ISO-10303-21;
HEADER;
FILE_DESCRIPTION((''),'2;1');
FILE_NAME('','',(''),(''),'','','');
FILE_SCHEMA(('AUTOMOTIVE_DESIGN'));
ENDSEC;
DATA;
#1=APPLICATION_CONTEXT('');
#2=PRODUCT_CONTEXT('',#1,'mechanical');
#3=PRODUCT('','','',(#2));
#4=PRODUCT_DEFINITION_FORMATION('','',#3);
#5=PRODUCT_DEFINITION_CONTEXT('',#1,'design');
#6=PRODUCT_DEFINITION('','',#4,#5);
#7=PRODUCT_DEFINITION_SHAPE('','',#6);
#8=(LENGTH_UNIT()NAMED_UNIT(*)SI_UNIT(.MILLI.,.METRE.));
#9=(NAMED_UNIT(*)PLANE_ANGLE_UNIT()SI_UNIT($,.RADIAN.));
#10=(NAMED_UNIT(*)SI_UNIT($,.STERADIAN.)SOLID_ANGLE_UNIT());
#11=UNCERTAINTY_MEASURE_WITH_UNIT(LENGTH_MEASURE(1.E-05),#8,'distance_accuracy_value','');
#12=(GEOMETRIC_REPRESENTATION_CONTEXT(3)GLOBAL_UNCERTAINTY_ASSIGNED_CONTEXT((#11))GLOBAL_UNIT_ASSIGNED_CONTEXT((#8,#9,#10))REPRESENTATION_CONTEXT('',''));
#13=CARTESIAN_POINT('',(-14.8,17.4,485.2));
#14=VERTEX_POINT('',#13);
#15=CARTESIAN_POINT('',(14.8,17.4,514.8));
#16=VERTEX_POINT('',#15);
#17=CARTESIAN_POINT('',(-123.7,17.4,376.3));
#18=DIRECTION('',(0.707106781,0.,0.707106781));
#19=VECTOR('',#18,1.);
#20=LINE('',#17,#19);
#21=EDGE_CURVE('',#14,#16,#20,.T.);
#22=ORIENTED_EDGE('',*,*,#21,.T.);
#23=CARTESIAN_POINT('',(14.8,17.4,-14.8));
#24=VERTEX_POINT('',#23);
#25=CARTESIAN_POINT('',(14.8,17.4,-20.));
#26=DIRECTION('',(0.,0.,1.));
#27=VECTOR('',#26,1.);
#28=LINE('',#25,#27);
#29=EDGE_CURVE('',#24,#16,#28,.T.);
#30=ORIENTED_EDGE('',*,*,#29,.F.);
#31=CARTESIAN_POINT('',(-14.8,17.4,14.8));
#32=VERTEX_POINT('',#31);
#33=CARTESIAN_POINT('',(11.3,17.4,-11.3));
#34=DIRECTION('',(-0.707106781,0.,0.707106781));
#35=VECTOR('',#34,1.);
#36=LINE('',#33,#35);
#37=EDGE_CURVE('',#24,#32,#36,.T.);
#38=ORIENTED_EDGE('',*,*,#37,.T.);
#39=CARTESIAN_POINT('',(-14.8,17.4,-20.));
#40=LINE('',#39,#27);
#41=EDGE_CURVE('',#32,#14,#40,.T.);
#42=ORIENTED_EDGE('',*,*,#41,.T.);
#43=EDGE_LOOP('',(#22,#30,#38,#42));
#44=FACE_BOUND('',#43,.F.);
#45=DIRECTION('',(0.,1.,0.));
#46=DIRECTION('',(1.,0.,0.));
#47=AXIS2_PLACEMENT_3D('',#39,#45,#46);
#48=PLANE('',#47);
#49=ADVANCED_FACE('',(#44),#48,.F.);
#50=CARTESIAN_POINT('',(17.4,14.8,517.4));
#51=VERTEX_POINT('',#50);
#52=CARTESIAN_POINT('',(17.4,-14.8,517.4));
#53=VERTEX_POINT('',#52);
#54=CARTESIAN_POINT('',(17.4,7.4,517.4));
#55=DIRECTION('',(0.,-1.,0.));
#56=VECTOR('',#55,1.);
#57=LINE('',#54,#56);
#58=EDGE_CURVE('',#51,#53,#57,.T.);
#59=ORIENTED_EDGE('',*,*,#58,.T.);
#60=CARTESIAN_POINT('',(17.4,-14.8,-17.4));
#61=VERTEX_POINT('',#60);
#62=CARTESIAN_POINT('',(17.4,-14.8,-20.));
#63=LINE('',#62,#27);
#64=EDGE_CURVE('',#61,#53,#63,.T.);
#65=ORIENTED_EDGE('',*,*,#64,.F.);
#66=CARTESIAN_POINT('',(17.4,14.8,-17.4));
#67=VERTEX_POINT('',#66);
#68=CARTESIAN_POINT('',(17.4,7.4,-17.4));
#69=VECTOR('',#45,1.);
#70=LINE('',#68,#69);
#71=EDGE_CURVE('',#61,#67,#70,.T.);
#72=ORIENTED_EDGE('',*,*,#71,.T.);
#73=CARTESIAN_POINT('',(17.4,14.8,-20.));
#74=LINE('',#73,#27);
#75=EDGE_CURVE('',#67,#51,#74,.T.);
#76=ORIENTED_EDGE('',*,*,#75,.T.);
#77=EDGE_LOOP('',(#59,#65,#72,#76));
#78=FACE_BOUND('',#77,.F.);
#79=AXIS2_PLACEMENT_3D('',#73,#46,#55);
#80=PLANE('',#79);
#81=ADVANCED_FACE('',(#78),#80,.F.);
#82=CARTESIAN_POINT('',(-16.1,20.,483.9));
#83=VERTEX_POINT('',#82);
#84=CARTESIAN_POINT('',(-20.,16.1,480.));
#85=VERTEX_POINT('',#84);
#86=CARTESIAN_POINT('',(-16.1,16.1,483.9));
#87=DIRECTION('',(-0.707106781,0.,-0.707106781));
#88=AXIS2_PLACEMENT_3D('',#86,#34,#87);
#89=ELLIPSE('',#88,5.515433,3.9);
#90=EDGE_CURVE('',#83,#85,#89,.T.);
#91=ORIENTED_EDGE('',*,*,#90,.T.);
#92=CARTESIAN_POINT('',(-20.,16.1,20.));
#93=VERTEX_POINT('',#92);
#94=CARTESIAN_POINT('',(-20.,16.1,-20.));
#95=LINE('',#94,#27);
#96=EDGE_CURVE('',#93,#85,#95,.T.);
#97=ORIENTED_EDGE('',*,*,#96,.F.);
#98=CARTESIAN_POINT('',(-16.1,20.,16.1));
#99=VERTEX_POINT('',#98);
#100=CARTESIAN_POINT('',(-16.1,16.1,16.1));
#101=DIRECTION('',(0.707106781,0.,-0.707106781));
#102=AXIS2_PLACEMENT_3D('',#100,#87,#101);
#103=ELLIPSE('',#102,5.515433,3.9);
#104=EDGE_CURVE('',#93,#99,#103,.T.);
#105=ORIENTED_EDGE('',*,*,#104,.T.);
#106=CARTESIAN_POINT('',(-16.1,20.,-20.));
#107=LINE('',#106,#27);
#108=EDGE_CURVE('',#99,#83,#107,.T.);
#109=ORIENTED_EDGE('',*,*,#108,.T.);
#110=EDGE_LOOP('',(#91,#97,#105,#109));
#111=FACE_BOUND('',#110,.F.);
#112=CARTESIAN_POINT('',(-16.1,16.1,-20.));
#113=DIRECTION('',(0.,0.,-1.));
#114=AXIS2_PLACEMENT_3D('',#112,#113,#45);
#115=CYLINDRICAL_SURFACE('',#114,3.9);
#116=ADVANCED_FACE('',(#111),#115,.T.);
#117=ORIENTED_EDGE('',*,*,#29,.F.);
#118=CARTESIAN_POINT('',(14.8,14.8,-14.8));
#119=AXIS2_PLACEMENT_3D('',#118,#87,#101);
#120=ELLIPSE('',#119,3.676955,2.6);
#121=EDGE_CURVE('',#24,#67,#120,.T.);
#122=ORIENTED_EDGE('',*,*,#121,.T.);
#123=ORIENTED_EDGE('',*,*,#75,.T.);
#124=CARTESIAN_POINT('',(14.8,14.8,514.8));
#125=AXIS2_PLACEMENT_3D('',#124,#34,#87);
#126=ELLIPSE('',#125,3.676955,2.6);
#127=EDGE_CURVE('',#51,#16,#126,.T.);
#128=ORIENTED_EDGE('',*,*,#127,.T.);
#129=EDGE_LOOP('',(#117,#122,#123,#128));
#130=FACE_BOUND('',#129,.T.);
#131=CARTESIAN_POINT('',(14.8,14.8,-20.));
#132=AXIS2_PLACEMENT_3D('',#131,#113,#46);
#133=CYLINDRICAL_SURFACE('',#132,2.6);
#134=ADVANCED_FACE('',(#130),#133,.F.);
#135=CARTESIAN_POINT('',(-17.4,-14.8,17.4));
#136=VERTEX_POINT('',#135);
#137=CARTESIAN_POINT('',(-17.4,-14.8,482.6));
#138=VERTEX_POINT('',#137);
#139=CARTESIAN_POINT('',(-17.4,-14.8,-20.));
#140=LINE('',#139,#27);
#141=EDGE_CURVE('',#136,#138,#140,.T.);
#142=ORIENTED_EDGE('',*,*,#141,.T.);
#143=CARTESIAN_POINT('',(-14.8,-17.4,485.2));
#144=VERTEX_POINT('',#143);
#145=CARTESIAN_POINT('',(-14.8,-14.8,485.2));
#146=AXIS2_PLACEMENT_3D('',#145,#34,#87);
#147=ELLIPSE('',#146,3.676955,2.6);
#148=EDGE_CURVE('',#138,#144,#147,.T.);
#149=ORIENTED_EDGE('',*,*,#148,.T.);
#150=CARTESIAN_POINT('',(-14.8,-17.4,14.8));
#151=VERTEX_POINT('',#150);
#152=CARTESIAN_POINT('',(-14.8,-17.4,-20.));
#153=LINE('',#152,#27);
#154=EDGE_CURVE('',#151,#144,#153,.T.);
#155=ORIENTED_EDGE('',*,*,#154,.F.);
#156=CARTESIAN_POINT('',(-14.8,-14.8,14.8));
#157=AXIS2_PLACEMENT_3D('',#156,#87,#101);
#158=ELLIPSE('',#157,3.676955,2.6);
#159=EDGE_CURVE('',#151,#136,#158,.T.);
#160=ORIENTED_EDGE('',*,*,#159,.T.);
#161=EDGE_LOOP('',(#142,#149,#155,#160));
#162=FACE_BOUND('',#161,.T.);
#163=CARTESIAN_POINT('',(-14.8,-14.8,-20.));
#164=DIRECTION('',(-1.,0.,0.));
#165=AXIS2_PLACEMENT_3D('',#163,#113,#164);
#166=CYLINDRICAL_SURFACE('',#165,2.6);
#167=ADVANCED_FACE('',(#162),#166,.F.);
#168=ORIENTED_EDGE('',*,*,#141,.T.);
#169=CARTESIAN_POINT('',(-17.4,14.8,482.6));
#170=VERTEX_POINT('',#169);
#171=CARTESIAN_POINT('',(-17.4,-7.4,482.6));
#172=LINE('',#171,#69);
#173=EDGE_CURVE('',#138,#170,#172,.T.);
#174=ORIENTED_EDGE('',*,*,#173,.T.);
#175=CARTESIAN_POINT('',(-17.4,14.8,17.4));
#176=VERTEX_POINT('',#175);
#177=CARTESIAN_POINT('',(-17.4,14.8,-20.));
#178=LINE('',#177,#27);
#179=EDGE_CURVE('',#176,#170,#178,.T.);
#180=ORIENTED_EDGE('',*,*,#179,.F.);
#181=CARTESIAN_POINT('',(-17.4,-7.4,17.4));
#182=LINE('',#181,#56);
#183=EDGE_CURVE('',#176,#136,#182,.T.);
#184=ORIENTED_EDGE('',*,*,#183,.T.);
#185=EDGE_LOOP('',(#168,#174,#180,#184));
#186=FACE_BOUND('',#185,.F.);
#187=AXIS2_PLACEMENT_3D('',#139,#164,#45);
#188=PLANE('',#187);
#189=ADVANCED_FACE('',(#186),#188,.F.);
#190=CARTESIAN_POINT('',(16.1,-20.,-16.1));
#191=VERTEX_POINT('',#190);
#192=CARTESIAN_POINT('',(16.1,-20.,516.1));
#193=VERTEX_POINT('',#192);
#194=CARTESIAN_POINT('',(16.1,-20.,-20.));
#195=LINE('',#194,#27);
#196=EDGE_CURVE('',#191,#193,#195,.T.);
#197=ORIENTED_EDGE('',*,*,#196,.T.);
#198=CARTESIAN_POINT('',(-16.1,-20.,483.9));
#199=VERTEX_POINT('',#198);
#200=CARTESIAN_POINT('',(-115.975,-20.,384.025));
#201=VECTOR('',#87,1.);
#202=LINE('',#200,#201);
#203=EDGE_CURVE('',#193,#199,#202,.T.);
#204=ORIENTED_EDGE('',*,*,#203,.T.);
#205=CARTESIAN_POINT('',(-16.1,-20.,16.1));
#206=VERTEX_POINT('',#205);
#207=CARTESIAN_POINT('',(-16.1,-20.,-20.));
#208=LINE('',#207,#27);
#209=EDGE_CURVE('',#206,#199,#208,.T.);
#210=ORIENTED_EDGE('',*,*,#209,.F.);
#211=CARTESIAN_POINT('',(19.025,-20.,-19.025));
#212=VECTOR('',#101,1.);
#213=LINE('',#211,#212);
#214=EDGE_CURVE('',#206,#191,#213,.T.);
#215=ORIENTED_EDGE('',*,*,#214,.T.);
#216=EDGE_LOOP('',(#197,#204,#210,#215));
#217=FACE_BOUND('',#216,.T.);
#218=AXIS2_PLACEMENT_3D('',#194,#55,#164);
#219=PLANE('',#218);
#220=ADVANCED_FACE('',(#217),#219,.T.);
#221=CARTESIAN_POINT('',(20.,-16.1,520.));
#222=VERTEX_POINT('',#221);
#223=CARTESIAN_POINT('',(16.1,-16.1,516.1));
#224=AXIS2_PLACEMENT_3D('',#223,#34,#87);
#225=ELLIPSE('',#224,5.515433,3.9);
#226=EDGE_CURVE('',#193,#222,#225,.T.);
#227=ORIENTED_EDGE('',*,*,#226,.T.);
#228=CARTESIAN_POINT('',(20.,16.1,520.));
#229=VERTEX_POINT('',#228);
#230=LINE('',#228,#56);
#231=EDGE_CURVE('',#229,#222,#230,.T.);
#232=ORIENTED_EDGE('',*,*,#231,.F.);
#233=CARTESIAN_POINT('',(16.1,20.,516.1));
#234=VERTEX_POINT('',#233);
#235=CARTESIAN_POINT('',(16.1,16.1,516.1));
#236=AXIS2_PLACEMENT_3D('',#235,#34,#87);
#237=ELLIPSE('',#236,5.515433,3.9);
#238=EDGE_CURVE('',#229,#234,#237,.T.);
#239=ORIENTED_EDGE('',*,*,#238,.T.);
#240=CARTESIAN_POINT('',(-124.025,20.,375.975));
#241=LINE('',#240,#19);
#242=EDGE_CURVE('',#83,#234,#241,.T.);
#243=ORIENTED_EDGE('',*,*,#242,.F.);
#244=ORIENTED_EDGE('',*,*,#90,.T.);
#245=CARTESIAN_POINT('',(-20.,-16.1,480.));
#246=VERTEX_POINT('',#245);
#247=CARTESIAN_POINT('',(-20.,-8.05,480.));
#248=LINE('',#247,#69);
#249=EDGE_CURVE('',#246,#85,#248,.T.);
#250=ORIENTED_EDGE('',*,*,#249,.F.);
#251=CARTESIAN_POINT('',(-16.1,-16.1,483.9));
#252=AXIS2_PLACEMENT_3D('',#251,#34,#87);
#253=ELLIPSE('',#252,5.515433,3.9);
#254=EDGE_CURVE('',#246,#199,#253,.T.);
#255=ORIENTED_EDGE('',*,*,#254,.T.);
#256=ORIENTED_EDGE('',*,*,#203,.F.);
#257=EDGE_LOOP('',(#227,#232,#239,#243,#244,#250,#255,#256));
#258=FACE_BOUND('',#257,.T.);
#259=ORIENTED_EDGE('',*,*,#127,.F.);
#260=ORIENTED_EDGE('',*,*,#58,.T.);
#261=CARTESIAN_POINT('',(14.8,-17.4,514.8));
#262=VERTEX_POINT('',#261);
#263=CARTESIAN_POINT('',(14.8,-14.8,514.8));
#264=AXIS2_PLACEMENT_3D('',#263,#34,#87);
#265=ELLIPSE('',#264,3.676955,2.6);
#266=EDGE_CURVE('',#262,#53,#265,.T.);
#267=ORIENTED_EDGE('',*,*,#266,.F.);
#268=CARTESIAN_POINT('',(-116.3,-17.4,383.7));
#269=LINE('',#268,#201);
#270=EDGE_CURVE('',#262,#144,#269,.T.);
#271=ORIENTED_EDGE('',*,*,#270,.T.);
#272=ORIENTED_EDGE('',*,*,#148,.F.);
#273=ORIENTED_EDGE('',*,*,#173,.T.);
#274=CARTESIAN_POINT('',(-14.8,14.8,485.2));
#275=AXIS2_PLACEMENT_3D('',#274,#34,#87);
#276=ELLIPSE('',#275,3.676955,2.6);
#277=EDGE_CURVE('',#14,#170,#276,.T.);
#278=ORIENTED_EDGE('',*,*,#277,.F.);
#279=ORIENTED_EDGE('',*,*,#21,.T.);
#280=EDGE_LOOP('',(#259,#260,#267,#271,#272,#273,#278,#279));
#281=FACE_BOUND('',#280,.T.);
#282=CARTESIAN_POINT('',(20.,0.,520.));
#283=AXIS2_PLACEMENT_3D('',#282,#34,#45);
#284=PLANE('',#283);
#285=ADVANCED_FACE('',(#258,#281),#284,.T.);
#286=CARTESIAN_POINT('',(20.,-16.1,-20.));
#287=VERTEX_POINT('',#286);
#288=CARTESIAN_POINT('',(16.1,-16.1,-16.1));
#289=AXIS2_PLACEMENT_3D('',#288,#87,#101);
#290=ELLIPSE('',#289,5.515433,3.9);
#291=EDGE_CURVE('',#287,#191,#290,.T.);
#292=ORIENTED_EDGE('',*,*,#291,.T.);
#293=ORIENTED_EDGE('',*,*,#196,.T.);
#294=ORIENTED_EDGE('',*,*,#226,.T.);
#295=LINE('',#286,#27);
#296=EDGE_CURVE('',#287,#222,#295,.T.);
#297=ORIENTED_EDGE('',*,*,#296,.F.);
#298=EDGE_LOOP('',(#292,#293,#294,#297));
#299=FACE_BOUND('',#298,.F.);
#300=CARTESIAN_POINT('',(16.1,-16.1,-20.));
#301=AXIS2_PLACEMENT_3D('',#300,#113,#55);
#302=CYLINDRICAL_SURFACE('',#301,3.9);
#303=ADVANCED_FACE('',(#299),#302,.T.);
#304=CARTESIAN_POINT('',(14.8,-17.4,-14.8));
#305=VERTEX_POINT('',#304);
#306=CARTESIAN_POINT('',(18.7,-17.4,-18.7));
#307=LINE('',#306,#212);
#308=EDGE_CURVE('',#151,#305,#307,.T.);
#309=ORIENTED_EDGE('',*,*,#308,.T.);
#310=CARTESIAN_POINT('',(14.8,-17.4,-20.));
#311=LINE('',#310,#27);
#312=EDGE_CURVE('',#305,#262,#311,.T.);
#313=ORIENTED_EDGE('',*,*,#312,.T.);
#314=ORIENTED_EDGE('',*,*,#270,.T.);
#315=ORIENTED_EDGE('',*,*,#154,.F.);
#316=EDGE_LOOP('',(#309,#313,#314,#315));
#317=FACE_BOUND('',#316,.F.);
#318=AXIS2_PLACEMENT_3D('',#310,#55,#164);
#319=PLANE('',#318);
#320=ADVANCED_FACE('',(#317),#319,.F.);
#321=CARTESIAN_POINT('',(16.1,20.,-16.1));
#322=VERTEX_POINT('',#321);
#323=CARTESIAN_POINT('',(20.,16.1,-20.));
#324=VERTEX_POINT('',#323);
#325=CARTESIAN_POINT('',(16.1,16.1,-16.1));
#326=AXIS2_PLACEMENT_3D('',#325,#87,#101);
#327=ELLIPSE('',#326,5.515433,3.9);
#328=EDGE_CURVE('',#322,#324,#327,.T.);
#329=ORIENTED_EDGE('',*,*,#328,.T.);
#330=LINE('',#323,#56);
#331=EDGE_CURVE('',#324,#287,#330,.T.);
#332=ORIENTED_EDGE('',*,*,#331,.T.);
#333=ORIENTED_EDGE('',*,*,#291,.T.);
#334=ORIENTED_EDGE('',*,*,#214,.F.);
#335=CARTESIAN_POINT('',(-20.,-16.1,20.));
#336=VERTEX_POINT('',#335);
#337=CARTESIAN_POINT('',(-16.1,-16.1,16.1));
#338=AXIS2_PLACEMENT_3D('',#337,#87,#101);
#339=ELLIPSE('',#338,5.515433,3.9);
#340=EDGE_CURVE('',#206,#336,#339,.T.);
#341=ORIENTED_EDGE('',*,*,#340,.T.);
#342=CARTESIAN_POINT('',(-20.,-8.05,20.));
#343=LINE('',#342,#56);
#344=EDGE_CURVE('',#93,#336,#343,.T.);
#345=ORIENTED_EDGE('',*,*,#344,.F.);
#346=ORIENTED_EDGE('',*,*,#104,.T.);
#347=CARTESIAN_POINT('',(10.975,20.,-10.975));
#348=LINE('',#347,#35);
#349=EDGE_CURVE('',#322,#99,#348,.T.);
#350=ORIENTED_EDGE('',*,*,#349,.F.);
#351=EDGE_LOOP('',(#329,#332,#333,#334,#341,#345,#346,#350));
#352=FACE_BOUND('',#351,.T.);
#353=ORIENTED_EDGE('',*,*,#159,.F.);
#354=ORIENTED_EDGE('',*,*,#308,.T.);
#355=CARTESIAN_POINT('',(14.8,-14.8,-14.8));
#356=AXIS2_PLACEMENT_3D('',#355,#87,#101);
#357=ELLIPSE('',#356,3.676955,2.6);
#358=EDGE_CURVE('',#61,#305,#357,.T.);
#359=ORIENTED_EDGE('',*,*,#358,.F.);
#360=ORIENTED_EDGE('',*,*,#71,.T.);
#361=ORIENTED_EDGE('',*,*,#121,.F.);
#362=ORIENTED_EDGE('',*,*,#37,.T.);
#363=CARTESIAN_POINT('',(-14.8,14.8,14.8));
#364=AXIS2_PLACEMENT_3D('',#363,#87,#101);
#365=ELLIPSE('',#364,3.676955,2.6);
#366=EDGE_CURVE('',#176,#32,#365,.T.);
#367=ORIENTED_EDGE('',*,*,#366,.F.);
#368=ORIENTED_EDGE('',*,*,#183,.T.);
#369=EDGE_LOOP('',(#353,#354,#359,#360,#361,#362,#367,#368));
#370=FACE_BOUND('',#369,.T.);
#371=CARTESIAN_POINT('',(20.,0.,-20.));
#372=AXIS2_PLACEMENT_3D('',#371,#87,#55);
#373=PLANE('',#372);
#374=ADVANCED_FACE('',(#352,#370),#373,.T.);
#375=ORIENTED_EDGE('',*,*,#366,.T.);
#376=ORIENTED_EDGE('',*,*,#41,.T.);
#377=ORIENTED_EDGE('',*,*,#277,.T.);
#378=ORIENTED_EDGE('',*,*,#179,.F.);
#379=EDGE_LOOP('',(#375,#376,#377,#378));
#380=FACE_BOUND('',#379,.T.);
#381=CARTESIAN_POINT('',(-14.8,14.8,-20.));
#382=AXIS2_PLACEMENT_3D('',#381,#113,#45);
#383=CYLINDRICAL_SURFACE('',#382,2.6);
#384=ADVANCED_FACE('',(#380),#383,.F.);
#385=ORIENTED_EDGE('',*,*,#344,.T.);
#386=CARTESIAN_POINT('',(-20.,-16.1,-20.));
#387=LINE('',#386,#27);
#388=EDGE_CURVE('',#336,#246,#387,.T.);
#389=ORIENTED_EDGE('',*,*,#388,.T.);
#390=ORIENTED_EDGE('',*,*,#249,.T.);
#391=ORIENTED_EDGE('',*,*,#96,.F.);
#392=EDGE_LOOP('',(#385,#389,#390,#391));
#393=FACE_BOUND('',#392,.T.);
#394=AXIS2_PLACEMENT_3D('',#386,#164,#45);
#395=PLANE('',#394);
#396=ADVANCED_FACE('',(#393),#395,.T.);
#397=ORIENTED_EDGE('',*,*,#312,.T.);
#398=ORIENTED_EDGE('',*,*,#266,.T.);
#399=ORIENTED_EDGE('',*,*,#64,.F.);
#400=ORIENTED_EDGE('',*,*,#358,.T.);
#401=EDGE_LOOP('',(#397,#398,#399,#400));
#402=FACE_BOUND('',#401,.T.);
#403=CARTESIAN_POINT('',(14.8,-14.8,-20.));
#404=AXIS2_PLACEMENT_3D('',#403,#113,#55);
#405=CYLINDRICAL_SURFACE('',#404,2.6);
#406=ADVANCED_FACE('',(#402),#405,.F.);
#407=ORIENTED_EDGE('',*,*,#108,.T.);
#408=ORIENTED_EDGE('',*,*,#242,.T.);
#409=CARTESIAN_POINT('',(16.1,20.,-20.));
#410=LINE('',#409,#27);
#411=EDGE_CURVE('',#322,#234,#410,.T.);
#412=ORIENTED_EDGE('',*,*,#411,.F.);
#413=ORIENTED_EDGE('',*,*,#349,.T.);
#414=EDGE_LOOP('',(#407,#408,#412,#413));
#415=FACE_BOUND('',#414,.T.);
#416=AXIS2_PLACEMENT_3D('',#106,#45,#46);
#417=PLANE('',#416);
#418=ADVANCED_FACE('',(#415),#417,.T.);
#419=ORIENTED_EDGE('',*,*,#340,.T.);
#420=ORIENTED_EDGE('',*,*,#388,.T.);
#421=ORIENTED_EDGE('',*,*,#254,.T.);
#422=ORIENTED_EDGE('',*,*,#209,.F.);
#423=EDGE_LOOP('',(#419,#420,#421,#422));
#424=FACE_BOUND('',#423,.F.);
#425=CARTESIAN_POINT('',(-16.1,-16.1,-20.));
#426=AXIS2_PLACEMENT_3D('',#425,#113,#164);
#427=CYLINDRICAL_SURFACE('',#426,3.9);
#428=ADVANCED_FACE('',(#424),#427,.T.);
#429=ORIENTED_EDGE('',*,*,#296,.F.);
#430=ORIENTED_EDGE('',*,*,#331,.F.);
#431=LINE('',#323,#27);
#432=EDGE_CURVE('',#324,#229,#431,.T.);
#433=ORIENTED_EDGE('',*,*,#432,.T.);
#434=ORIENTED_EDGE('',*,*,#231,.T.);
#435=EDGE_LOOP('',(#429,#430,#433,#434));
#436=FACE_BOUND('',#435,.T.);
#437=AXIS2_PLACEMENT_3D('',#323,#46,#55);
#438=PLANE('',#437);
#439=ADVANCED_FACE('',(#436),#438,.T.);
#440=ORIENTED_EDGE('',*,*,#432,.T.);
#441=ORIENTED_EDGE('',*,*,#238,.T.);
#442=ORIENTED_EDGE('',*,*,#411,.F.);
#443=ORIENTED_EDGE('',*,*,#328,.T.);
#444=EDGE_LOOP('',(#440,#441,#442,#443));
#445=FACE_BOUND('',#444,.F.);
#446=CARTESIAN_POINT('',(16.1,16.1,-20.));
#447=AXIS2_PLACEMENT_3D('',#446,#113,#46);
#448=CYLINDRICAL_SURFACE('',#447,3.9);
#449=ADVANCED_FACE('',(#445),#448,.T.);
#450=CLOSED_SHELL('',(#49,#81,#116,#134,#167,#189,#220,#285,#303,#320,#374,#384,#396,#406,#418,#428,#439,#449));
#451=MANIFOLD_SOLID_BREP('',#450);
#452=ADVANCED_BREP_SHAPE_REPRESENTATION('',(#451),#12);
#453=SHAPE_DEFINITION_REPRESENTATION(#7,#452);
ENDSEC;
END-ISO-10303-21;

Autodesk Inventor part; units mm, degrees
ref_plane "Start plane" through (0, 0, -20) normal (0, 0, 1) x (1, 0, 0)
ref_plane "End plane" through (0, 0, 520) normal (0, 0, 1) x (1, 0, 0)
sketch "Sketch" plane through (0, 0, 0) normal (0, 0, 1) x (1, 0, 0)
  line L0 (-20, -16.1) -> (-20, 16.1)
  line L1 (-16.1, 20) -> (16.1, 20)
  line L2 (20, 16.1) -> (20, -16.1)
  line L3 (16.1, -20) -> (-16.1, -20)
  arc A0 (-20, -16.1) -> (-16.1, -20) centre (-16.1, -16.1) ccw
  arc A1 (-16.1, 20) -> (-20, 16.1) centre (-16.1, 16.1) ccw
  arc A2 (20, 16.1) -> (16.1, 20) centre (16.1, 16.1) ccw
  arc A3 (16.1, -20) -> (20, -16.1) centre (16.1, -16.1) ccw
  line L4 (-14.8, 17.4) -> (14.8, 17.4)
  line L5 (17.4, 14.8) -> (17.4, -14.8)
  line L6 (14.8, -17.4) -> (-14.8, -17.4)
  line L7 (-17.4, -14.8) -> (-17.4, 14.8)
  line L8 (0, 29.1308) -> (0, -29.1308) construction
  line L9 (-29.1308, 0) -> (29.1308, 0) construction
  arc A4 (-17.4, -14.8) -> (-14.8, -17.4) centre (-14.8, -14.8) ccw
  arc A5 (-14.8, 17.4) -> (-17.4, 14.8) centre (-14.8, 14.8) ccw
  arc A6 (17.4, 14.8) -> (14.8, 17.4) centre (14.8, 14.8) ccw
  arc A7 (14.8, -17.4) -> (17.4, -14.8) centre (14.8, -14.8) ccw
  dimension "d7" = 3.9
  dimension "d10" = 40
  dimension "d11" = 40
  dimension "d12" = 2.6
  dimension "d15" = 20
  dimension "d16" = 20
  dimension "d19" = 2.6
  dimension "d20" = 2.6
extrude "Body" add sketch "Sketch" along normal up to surface (540 mm away) from surface at -20
sketch "Sketch3" plane through (0, 0, 0) normal (0, 0, 1) x (1, 0, 0)
  line L0 (0, 0) -> (10, 0)
ref_plane "Work Plane3" through (0, 0, 0) normal (0, -1, 0) x (1, 0, 0)
sketch "Sketch4" plane through (0, 0, 0) normal (0, -1, 0) x (1, 0, 0)
  line L0 (-2, -20) -> (12, -20)
  line L1 (-2, 520) -> (12, 520)
  dimension "d18" = 540
ref_plane "Work Plane4" through (20, 0, 520) normal (-0.7071, 0, 0.7071) x (0.7071, 0, 0.7071)
split "Split1" plane through (20, 0, 520) removes the side toward (-0.7071, 0, 0.7071)
ref_plane "Work Plane5" through (20, 0, -20) normal (-0.7071, 0, -0.7071) x (-0.7071, 0, 0.7071)
split "Split2" plane through (20, 0, -20) removes the side toward (-0.7071, 0, -0.7071)
equation "\"d7\" = G_IR"
equation "\"d10\" = G_H"
equation "\"d11\" = G_W"
equation "\"d12\" = G_T"
equation "\"d15\" = 0.5 * d10"
equation "\"d16\" = 0.5 * d11"
equation "\"d19\" = G_T"
equation "\"d20\" = G_T"
equation "\"d3\" = G_L"
equation "\"G_W\" = 40"
equation "\"G_H\" = 40"
equation "\"G_T\" = 2.6"
equation "\"G_IR\" = 3.9"
equation "\"G_L\" = d18"
properties part number "EN 10210-2 - 40 x 40 x 2.6 - 540" material "Steel, Galvanized"
